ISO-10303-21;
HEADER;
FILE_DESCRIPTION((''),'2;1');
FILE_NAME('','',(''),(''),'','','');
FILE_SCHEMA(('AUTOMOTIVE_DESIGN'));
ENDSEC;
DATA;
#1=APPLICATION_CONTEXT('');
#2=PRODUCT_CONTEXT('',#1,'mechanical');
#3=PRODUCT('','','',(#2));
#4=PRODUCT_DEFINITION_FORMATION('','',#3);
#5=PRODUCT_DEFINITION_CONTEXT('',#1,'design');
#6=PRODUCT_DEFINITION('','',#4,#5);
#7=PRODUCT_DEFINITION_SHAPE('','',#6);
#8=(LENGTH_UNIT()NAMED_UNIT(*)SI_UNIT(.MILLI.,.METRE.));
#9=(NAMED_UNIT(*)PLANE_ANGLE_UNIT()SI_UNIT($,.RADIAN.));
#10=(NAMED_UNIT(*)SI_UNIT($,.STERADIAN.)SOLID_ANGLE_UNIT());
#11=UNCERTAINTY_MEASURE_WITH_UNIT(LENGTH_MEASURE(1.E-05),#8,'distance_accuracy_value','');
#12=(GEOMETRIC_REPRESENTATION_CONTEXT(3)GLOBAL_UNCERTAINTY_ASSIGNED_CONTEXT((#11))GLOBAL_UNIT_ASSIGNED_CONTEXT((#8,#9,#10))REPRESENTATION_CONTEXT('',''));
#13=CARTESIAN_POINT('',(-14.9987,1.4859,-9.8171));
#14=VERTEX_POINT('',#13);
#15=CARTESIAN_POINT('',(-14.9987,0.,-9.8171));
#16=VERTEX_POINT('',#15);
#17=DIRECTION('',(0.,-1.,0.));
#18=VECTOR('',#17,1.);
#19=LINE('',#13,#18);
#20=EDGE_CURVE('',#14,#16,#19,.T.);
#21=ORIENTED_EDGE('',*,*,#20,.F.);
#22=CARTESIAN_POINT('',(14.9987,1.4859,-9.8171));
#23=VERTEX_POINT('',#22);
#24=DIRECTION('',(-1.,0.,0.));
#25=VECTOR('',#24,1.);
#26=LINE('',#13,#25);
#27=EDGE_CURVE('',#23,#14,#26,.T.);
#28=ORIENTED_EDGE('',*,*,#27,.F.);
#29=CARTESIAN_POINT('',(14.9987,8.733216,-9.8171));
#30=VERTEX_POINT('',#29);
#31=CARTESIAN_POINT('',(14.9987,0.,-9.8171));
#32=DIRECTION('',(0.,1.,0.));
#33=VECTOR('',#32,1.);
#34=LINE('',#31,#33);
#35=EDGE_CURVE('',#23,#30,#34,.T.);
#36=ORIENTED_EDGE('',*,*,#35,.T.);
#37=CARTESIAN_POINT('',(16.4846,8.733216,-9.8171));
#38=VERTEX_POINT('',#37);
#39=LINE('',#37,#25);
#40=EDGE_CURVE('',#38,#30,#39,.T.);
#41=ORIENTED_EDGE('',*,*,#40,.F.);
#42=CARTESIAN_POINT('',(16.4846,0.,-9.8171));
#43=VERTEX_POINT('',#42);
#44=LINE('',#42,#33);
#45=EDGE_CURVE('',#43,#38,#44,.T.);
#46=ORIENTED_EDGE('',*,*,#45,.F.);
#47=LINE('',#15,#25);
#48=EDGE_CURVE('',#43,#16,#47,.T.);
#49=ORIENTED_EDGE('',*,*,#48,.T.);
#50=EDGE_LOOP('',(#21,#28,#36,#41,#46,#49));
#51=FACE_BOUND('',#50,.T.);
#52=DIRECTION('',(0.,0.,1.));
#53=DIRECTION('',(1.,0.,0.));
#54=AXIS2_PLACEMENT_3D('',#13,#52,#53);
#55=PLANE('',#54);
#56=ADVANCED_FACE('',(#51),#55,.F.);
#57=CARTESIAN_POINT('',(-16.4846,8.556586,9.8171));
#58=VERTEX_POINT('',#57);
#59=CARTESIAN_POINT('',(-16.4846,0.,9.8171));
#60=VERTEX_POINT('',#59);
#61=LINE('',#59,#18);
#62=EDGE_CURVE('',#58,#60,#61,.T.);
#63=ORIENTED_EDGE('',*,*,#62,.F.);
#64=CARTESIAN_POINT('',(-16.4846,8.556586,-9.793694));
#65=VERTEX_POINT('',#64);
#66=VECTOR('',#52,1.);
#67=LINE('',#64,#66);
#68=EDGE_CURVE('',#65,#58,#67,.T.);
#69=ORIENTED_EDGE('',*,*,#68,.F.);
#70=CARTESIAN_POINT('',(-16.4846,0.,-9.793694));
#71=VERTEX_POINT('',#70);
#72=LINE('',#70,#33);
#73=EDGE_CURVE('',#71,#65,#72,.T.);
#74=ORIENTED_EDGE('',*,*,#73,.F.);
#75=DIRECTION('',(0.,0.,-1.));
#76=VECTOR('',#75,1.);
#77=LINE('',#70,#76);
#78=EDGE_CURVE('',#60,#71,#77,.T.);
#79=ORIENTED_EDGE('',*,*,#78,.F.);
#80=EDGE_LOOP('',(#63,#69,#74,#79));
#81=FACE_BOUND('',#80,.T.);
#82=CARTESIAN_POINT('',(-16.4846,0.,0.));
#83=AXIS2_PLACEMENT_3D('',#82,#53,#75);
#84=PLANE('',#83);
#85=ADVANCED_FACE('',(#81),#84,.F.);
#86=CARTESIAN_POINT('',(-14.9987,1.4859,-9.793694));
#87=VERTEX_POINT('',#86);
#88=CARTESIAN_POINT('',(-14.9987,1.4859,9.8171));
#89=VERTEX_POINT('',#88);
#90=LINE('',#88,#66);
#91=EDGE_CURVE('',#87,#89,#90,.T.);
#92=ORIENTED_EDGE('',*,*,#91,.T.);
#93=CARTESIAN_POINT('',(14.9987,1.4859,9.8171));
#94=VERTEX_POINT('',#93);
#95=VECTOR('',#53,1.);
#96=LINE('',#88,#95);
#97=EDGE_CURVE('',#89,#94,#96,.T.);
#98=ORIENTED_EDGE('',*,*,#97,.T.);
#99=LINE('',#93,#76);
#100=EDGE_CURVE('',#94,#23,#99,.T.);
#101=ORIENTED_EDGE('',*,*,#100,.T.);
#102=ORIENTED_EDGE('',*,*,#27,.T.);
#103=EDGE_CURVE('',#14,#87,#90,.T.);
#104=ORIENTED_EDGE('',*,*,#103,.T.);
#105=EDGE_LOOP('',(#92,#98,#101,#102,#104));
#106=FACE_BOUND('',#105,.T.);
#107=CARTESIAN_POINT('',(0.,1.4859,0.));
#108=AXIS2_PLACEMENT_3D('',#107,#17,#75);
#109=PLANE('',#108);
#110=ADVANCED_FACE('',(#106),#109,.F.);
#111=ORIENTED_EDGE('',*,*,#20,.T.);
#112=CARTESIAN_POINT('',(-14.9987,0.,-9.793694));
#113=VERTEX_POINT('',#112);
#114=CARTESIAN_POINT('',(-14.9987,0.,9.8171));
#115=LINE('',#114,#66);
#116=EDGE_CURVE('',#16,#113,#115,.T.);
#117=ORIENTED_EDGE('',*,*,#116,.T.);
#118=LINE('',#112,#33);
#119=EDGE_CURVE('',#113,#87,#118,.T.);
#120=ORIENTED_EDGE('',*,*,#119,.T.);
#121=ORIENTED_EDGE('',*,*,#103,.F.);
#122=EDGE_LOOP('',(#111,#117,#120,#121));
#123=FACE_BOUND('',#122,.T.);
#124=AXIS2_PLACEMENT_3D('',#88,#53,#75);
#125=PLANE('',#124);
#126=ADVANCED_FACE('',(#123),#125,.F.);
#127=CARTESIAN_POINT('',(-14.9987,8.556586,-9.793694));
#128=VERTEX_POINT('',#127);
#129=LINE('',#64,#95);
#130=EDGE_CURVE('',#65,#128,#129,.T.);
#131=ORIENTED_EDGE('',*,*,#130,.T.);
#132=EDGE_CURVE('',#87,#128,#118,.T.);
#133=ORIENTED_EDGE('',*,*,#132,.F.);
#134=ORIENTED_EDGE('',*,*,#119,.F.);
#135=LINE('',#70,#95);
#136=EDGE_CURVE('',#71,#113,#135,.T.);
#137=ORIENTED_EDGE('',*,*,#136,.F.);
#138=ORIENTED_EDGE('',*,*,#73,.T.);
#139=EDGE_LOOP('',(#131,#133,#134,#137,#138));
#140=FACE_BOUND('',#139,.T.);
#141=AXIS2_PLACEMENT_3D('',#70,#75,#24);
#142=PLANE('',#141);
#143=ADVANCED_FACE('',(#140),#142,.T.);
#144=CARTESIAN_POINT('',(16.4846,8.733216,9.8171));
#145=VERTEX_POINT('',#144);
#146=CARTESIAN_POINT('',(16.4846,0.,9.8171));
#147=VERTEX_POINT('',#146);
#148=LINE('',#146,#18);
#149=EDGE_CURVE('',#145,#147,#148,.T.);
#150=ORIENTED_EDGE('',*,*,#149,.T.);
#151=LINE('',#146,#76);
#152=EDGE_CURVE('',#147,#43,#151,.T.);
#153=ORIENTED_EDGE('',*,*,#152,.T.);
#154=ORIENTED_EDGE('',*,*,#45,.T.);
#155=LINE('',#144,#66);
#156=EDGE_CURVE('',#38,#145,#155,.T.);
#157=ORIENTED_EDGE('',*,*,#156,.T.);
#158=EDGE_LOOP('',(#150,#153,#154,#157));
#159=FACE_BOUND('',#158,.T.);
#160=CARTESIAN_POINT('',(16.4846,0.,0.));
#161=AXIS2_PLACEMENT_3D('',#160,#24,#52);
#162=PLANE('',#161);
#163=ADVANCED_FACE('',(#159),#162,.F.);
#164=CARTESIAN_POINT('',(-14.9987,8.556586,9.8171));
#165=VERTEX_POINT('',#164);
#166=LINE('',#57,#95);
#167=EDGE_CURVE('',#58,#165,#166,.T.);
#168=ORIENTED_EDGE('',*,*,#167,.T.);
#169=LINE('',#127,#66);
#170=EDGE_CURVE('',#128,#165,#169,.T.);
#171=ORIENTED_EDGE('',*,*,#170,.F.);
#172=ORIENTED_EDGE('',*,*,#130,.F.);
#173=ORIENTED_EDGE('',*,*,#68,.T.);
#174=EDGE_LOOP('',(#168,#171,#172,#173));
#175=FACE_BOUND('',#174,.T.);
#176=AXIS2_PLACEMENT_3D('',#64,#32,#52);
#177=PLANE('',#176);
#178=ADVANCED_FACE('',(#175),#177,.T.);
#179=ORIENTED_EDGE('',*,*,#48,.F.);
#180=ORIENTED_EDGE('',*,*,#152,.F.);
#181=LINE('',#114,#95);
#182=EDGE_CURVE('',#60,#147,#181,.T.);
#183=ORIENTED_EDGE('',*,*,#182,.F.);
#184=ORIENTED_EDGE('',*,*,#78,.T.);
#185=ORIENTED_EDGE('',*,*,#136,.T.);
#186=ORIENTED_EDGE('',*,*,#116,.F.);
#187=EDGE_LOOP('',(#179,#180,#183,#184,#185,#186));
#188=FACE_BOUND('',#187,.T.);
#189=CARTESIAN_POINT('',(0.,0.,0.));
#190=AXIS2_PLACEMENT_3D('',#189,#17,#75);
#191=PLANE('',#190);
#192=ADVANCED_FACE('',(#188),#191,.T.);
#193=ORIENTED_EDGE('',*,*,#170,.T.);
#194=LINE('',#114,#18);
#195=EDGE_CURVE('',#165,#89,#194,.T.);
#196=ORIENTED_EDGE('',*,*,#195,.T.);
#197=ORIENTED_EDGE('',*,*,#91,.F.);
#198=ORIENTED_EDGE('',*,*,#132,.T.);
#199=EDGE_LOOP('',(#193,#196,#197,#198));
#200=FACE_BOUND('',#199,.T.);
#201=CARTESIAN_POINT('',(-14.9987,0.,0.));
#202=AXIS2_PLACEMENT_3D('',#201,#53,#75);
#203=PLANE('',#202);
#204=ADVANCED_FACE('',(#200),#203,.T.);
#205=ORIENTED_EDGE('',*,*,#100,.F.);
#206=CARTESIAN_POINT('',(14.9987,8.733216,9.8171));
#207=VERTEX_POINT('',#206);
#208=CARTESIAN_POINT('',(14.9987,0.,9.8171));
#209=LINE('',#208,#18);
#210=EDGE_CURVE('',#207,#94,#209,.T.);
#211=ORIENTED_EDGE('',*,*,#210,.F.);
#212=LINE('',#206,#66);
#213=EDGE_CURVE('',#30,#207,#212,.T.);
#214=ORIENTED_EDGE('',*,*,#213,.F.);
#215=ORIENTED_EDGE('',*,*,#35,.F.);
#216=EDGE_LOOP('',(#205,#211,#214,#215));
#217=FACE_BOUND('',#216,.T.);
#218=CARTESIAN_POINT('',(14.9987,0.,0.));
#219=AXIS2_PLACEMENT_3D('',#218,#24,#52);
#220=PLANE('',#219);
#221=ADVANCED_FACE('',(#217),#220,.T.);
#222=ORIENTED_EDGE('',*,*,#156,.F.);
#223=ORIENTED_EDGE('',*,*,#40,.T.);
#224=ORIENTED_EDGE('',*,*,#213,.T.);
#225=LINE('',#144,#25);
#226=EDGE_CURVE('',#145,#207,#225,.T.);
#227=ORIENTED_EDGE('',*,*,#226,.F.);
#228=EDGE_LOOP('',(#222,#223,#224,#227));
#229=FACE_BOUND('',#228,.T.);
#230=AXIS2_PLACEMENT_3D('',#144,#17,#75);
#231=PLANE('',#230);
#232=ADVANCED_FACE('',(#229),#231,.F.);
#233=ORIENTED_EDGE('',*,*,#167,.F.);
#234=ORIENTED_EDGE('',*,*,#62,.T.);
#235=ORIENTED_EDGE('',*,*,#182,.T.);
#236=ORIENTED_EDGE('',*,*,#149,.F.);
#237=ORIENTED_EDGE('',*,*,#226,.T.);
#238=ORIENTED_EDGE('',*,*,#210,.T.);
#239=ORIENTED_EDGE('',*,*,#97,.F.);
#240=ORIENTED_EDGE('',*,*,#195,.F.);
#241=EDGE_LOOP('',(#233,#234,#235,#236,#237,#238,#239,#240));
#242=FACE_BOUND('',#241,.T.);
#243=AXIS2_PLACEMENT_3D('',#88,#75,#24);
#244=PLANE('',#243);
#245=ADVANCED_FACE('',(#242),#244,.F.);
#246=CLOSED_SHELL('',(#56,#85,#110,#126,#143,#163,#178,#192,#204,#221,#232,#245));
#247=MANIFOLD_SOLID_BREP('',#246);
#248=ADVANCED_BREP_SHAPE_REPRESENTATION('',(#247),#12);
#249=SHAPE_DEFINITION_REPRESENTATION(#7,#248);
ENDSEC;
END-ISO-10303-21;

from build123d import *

# Parameters (mm, degrees)
SKETCH1_W           = 29.9974
SKETCH1_H           = 19.6342
BOSS_EXTRUDE1_DEPTH = 1.4859
SKETCH2_W           = 19.610793651
SKETCH2_H           = 8.55658582
BOSS_EXTRUDE2_DEPTH = 1.4859
SKETCH3_W           = 19.6342
SKETCH3_H           = 8.73321644
BOSS_EXTRUDE3_DEPTH = 1.4859


with BuildPart() as part:
    # Sketch1 → Boss-Extrude1 (new body)
    with BuildSketch(Plane(origin=(0, 0, 0), x_dir=(1, 0, 0), z_dir=(0, 1, 0))):
        Rectangle(SKETCH1_W, SKETCH1_H)
    extrude(amount=BOSS_EXTRUDE1_DEPTH)

    # Sketch2 → Boss-Extrude2 (add)
    with BuildSketch(Plane(origin=(-14.9987, 0, 0), x_dir=(0, 0, -1), z_dir=(1, 0, 0))):
        with Locations((-0.011703175, 4.27829291)):
            Rectangle(SKETCH2_W, SKETCH2_H)
    extrude(amount=-BOSS_EXTRUDE2_DEPTH)

    # Sketch3 → Boss-Extrude3 (add)
    with BuildSketch(Plane(origin=(14.9987, 0, 0), x_dir=(0, 0, -1), z_dir=(1, 0, 0))):
        with Locations((0, 4.36660822)):
            Rectangle(SKETCH3_W, SKETCH3_H)
    extrude(amount=BOSS_EXTRUDE3_DEPTH)


solid = part.part
